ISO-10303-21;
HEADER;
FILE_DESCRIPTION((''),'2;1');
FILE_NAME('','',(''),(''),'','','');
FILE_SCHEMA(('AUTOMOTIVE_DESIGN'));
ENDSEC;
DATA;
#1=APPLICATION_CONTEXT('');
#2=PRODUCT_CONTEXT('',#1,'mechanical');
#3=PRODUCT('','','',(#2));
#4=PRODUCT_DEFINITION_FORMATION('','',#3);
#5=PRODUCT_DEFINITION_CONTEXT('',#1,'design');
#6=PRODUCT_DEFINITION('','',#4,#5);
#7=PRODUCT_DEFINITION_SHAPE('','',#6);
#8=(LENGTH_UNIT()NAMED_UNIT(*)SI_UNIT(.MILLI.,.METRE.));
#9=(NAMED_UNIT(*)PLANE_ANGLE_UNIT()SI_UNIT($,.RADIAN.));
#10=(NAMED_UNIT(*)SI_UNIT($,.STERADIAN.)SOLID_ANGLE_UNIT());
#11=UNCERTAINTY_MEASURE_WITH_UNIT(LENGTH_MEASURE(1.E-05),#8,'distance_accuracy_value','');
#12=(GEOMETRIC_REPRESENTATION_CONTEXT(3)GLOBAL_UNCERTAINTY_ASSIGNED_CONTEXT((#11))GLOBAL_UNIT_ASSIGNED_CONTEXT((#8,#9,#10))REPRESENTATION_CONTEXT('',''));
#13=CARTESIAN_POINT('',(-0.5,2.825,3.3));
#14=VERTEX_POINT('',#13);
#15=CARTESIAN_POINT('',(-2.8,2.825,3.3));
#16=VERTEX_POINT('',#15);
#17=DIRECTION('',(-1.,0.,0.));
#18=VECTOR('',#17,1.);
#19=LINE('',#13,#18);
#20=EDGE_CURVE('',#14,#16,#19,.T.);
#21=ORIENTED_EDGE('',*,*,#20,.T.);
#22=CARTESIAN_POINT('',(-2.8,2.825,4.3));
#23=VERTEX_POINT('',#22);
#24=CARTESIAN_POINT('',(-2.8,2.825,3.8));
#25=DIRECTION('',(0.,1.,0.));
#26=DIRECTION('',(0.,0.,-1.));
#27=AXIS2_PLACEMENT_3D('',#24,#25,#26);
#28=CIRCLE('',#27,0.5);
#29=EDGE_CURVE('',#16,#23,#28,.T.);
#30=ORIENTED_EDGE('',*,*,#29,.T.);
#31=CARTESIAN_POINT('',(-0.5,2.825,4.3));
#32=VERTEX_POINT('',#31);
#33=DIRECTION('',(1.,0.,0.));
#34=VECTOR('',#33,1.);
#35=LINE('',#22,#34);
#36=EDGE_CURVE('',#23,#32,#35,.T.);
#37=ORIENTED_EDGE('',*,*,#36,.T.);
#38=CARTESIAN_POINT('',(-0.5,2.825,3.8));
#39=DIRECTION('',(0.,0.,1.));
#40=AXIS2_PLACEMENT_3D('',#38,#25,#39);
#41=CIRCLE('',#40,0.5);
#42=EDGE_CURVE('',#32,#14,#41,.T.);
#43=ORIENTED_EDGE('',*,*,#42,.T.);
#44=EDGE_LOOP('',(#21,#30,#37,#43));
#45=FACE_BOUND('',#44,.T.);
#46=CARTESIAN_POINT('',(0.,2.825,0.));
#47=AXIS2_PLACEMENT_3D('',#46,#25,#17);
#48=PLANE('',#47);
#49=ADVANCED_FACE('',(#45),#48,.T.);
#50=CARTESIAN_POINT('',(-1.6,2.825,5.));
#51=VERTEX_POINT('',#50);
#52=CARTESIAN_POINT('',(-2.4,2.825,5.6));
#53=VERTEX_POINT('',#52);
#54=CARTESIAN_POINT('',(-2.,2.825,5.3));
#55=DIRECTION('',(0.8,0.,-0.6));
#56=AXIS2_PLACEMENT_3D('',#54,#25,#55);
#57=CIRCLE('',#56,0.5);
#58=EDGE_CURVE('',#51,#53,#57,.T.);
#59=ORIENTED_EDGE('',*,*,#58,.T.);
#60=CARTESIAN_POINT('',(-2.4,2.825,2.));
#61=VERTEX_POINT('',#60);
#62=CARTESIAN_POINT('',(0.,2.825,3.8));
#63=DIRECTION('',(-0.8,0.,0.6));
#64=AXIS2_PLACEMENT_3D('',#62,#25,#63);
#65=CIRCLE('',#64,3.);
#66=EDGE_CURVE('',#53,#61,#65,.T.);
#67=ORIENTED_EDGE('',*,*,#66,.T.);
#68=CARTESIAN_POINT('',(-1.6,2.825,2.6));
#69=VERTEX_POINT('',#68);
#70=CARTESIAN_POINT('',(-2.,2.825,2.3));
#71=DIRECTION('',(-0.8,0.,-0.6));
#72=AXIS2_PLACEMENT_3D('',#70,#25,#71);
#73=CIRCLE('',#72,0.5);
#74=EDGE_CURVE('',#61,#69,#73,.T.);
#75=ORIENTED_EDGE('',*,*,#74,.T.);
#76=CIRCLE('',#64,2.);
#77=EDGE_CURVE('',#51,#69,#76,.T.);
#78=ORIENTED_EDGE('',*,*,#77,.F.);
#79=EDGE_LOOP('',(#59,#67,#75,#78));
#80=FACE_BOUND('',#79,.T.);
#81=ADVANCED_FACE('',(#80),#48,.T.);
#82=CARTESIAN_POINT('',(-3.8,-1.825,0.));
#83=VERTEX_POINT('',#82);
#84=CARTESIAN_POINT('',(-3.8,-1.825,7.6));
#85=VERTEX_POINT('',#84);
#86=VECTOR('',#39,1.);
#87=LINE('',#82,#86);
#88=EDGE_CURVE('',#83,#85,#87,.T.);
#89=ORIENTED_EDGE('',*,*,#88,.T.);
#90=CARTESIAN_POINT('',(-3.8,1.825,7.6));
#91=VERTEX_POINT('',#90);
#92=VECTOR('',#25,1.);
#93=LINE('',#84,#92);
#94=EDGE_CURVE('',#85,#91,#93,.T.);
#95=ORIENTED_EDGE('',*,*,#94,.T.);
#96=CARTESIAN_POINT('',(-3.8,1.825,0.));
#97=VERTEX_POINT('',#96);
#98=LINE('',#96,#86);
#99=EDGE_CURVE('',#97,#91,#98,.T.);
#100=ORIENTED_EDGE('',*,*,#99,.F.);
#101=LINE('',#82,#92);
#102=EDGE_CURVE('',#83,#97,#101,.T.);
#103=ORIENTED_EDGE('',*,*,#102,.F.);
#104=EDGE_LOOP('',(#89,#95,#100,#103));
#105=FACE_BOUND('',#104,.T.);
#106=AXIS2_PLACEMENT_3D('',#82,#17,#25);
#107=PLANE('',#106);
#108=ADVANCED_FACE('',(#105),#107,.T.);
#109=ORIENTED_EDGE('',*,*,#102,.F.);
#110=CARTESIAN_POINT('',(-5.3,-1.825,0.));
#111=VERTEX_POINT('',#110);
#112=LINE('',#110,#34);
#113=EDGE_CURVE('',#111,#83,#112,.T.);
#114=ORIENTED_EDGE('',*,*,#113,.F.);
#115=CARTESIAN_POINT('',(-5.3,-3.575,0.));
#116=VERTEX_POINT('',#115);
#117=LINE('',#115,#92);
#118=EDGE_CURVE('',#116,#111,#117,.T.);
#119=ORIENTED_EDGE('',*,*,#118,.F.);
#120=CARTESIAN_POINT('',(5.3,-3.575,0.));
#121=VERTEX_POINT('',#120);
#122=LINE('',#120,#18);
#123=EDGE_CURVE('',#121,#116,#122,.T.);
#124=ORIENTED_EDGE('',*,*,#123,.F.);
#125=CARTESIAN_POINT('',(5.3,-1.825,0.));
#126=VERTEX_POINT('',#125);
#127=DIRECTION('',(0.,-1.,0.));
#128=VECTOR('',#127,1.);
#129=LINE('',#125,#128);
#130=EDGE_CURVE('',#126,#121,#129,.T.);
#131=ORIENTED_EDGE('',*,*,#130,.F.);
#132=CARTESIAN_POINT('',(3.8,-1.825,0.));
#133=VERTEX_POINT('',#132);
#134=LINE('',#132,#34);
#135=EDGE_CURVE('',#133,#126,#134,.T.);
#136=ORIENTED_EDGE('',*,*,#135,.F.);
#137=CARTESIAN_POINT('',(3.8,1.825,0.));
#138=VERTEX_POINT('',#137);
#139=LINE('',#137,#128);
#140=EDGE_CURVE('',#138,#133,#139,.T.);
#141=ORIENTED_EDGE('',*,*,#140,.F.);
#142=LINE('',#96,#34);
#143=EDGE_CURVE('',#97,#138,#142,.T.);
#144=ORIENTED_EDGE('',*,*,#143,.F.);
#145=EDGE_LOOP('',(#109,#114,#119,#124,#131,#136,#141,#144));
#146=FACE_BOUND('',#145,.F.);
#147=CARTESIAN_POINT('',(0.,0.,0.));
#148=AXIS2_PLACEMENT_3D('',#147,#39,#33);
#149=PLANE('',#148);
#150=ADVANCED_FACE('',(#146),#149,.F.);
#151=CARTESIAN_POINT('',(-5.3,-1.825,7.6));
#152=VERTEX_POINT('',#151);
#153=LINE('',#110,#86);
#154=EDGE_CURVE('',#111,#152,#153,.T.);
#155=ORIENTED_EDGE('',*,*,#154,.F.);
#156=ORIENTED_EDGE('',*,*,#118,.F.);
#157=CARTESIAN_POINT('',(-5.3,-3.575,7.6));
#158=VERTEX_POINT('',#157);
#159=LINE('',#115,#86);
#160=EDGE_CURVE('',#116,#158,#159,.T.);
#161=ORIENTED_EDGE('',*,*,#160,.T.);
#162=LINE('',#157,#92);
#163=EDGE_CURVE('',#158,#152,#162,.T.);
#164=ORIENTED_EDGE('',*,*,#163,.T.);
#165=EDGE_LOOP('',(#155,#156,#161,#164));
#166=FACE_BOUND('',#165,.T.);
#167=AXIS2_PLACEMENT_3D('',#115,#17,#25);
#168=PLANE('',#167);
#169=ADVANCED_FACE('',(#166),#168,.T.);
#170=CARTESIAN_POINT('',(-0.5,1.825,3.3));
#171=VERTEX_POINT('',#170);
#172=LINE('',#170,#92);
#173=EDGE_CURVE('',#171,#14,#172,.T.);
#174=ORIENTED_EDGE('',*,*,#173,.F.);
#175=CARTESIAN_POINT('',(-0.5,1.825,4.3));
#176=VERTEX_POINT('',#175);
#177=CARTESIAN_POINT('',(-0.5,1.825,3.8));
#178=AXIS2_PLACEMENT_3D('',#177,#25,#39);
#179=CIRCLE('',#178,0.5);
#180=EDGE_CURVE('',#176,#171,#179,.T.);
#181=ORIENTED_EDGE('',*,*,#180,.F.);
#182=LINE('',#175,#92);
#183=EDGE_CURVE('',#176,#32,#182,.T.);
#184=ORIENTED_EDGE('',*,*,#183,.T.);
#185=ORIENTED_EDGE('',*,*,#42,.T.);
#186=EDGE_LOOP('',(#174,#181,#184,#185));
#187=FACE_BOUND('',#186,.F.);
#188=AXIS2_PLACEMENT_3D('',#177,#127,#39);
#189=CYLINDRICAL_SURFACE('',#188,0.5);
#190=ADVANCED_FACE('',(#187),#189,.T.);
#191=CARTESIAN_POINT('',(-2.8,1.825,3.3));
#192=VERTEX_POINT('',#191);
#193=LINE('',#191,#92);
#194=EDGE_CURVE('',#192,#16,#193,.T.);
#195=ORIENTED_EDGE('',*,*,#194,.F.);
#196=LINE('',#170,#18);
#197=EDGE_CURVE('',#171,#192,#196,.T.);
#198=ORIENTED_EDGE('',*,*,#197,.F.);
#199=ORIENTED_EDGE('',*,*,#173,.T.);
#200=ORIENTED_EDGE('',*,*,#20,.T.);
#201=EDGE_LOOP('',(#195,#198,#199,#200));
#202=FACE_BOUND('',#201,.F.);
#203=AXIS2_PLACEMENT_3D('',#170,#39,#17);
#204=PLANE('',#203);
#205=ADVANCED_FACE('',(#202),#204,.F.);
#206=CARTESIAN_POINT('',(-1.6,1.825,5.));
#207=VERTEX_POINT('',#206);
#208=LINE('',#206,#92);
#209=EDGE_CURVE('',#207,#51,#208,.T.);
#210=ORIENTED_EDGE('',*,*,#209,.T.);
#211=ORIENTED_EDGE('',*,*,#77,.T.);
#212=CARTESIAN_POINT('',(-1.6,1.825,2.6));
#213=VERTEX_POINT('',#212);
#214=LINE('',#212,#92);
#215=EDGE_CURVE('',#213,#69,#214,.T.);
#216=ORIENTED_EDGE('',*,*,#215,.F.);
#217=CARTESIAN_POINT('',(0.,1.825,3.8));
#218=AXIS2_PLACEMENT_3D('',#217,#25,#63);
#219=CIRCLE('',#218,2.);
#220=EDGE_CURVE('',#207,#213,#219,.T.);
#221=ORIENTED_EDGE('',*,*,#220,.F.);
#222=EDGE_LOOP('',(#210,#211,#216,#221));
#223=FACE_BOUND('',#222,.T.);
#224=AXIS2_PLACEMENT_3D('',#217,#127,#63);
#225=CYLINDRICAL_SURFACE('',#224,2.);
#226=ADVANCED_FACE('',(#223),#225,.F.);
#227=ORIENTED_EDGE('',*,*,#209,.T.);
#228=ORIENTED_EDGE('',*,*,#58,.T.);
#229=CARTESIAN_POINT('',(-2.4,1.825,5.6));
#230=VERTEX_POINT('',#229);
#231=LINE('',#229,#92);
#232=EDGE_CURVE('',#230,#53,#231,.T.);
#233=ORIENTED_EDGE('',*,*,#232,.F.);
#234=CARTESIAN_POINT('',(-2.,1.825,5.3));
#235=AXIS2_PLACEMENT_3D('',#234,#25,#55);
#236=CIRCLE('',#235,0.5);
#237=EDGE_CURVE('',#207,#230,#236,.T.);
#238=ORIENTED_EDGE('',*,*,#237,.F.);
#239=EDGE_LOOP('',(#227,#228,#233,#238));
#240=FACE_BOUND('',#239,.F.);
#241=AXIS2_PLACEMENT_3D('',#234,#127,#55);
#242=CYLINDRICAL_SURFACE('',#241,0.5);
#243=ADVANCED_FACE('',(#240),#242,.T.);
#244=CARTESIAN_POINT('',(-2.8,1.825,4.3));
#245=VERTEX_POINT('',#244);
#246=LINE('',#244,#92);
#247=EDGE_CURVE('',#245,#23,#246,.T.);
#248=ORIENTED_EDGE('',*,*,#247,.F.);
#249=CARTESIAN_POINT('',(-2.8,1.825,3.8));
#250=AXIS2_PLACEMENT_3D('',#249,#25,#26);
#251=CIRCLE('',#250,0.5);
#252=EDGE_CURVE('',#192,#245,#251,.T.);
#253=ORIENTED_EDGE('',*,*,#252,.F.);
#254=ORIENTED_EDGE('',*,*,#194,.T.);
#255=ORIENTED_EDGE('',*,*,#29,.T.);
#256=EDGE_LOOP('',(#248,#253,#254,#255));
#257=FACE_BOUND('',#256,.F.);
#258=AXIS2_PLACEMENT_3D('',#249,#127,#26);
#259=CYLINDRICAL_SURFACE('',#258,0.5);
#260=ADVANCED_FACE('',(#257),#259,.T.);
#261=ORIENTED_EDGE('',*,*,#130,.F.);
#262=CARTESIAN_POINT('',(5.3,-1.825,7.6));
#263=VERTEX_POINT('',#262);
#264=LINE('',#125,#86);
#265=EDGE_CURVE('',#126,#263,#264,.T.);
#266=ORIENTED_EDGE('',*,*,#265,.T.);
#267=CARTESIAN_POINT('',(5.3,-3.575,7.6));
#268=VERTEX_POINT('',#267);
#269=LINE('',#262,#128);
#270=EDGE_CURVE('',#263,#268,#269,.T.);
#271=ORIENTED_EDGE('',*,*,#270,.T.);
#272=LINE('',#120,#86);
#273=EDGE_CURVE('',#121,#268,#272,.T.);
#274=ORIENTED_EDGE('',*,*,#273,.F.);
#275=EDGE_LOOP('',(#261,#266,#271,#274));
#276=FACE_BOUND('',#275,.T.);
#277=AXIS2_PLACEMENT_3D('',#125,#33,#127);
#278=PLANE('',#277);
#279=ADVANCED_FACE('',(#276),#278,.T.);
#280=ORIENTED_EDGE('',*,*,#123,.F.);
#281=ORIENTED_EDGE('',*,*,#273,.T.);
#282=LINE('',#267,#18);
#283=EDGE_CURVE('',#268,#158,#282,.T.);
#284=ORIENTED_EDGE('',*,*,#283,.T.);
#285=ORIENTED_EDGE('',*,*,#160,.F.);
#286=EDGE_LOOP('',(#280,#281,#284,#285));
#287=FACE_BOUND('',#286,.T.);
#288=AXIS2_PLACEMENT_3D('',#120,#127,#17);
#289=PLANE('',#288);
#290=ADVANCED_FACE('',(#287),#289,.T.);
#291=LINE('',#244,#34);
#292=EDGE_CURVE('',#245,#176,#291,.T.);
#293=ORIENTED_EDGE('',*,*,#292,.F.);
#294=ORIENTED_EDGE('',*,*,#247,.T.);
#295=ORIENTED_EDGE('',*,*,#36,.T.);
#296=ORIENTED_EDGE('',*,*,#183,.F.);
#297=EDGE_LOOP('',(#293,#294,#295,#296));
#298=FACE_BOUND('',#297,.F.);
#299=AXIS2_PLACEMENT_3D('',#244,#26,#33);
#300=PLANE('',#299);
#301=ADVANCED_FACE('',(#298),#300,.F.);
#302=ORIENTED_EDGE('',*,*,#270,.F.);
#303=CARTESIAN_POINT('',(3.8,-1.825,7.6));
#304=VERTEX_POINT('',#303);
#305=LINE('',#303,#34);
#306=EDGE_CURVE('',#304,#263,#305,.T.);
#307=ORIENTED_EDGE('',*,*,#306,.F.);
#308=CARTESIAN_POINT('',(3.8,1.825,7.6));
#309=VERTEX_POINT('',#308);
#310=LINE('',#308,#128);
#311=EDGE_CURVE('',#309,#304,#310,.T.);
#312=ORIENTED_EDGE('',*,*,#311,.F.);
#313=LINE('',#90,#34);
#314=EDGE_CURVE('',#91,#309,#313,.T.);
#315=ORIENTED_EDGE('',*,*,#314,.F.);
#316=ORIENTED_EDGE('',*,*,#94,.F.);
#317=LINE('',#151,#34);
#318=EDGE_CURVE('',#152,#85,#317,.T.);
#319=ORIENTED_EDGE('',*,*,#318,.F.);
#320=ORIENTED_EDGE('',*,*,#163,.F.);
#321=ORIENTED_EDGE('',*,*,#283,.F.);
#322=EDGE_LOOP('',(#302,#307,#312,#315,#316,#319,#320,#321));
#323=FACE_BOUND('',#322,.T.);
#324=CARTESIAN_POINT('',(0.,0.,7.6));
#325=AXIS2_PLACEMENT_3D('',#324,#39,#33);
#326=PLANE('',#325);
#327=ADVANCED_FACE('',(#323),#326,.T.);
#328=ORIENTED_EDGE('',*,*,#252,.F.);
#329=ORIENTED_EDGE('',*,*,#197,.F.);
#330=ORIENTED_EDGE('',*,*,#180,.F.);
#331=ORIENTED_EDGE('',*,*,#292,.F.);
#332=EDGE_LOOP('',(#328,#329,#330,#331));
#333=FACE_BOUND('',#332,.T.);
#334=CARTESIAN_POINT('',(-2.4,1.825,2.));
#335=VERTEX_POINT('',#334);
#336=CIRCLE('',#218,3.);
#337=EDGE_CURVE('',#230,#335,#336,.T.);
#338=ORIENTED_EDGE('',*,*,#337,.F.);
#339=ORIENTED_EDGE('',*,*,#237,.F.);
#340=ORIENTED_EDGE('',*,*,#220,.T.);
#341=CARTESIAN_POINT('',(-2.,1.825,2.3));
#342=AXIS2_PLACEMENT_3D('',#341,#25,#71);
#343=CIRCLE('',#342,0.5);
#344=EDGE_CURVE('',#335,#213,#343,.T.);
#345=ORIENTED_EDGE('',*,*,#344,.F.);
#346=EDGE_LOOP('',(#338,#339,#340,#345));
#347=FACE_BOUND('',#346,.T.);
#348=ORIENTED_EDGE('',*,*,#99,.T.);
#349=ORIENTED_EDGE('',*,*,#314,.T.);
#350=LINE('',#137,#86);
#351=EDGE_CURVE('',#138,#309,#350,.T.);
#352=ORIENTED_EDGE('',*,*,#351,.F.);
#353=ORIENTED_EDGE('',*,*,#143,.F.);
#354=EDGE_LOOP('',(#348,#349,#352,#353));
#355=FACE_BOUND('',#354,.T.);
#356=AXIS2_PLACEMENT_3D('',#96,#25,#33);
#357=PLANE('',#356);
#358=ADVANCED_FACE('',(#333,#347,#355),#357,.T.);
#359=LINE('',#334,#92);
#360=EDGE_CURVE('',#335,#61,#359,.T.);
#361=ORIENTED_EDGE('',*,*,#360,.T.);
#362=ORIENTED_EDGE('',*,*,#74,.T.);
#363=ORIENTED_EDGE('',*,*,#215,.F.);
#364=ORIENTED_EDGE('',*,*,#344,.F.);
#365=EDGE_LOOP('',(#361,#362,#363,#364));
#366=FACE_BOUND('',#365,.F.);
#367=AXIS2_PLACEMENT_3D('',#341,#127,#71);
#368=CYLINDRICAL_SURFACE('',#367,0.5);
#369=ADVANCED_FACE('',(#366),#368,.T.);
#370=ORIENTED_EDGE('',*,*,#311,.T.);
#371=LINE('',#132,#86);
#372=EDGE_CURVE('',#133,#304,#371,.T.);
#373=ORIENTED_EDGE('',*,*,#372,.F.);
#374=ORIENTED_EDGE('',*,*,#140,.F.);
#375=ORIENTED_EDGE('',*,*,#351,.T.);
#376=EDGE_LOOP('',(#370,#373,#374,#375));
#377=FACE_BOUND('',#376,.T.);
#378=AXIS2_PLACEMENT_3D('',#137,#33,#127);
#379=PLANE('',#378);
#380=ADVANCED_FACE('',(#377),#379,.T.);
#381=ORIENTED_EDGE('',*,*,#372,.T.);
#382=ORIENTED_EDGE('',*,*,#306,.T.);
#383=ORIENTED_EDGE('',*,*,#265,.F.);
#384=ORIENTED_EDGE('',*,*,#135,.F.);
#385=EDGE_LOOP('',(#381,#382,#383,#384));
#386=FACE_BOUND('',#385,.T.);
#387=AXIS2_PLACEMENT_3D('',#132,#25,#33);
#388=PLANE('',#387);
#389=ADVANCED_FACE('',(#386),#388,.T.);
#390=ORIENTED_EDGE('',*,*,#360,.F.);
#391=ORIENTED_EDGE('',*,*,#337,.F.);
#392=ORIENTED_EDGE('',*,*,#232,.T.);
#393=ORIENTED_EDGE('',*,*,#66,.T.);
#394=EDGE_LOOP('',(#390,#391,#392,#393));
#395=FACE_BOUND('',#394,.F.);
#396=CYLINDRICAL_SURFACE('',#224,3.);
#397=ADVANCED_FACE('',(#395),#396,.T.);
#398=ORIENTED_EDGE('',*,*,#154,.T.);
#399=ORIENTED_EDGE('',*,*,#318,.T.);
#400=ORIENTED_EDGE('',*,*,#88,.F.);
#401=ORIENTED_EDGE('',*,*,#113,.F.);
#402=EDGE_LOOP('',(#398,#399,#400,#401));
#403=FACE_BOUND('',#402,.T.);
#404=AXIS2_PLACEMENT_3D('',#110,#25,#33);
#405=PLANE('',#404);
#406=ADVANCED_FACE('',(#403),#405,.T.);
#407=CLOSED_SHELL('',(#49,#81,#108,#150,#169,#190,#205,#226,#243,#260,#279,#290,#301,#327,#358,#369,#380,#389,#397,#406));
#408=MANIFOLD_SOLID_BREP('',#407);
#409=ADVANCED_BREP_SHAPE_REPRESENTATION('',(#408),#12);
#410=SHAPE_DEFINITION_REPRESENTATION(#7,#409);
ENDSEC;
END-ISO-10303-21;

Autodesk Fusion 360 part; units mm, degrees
sketch "Skizze1" plane through (0, 0, 0) normal (0, 0, 1) x (1, 0, 0)
  line L0 (-3.8, 1.825) -> (3.8, 1.825)
  line L1 (3.8, 1.825) -> (3.8, -1.825)
  line L2 (-3.8, -1.825) -> (-3.8, 1.825)
  line L3 (-3.8, 1.825) -> (3.8, -1.825) construction
  line L4 (3.8, 1.825) -> (-3.8, -1.825) construction
  line L5 (5.3, -3.575) -> (-5.3, -3.575)
  line L6 (-5.3, -3.575) -> (-5.3, -1.825)
  line L7 (5.3, -1.825) -> (5.3, -3.575)
  line L8 (-5.3, -1.825) -> (-3.8, -1.825)
  line L9 (3.8, -1.825) -> (5.3, -1.825)
  dimension "d880" = 7.6
  dimension "d881" = 1.75
  dimension "d882" = 3.65
  dimension "d883" = 1.5
extrude "Extrusion1" add sketch "Skizze1" along normal blind 7.6
sketch "Skizze2" plane through (0, 1.825, 0) normal (0, 1, 0) x (-1, 0, 0)
  line L0 (-3.8, 0) -> (3.8, 0)
  line L1 (3.8, 0) -> (3.8, 7.6)
  line L2 (3.8, 7.6) -> (-3.8, 7.6)
  line L3 (-3.8, 7.6) -> (-3.8, 0)
  line L4 (3.8, 7.6) -> (-3.8, 0) construction
  arc A0 (1.6, 5) -> (2.4, 5.6) centre (2, 5.3) ccw
  arc A1 (2.4, 2) -> (1.6, 2.6) centre (2, 2.3) ccw
  arc A2 (2.4, 5.6) -> (2.4, 2) centre (0, 3.8) ccw
  arc A3 (1.6, 5) -> (1.6, 2.6) centre (0, 3.8) ccw
  line L5 (2.8, 4.3) -> (0.5, 4.3)
  arc A4 (0.5, 4.3) -> (0.5, 3.3) centre (0.5, 3.8) ccw
  line L6 (0.5, 3.3) -> (2.8, 3.3)
  arc A5 (2.8, 3.3) -> (2.8, 4.3) centre (2.8, 3.8) ccw
  line L7 (2.8, 3.8) -> (0.5, 3.8) construction
  point P0 (0, 3.8)
  dimension "d906" = 1
  dimension "d907" = 6
  dimension "d908" = 1
  dimension "d909" = 0.5
  dimension "d910" = 1
  dimension "d911" = 1.5
extrude "Extrusion2" add sketch "Skizze2" along normal blind 1 contours A0 A1 A2 A3 | L5 A4 L6 A5
equation "d908 = d906"
equation "d910 = d908 / 2 + 0.5 mm"
